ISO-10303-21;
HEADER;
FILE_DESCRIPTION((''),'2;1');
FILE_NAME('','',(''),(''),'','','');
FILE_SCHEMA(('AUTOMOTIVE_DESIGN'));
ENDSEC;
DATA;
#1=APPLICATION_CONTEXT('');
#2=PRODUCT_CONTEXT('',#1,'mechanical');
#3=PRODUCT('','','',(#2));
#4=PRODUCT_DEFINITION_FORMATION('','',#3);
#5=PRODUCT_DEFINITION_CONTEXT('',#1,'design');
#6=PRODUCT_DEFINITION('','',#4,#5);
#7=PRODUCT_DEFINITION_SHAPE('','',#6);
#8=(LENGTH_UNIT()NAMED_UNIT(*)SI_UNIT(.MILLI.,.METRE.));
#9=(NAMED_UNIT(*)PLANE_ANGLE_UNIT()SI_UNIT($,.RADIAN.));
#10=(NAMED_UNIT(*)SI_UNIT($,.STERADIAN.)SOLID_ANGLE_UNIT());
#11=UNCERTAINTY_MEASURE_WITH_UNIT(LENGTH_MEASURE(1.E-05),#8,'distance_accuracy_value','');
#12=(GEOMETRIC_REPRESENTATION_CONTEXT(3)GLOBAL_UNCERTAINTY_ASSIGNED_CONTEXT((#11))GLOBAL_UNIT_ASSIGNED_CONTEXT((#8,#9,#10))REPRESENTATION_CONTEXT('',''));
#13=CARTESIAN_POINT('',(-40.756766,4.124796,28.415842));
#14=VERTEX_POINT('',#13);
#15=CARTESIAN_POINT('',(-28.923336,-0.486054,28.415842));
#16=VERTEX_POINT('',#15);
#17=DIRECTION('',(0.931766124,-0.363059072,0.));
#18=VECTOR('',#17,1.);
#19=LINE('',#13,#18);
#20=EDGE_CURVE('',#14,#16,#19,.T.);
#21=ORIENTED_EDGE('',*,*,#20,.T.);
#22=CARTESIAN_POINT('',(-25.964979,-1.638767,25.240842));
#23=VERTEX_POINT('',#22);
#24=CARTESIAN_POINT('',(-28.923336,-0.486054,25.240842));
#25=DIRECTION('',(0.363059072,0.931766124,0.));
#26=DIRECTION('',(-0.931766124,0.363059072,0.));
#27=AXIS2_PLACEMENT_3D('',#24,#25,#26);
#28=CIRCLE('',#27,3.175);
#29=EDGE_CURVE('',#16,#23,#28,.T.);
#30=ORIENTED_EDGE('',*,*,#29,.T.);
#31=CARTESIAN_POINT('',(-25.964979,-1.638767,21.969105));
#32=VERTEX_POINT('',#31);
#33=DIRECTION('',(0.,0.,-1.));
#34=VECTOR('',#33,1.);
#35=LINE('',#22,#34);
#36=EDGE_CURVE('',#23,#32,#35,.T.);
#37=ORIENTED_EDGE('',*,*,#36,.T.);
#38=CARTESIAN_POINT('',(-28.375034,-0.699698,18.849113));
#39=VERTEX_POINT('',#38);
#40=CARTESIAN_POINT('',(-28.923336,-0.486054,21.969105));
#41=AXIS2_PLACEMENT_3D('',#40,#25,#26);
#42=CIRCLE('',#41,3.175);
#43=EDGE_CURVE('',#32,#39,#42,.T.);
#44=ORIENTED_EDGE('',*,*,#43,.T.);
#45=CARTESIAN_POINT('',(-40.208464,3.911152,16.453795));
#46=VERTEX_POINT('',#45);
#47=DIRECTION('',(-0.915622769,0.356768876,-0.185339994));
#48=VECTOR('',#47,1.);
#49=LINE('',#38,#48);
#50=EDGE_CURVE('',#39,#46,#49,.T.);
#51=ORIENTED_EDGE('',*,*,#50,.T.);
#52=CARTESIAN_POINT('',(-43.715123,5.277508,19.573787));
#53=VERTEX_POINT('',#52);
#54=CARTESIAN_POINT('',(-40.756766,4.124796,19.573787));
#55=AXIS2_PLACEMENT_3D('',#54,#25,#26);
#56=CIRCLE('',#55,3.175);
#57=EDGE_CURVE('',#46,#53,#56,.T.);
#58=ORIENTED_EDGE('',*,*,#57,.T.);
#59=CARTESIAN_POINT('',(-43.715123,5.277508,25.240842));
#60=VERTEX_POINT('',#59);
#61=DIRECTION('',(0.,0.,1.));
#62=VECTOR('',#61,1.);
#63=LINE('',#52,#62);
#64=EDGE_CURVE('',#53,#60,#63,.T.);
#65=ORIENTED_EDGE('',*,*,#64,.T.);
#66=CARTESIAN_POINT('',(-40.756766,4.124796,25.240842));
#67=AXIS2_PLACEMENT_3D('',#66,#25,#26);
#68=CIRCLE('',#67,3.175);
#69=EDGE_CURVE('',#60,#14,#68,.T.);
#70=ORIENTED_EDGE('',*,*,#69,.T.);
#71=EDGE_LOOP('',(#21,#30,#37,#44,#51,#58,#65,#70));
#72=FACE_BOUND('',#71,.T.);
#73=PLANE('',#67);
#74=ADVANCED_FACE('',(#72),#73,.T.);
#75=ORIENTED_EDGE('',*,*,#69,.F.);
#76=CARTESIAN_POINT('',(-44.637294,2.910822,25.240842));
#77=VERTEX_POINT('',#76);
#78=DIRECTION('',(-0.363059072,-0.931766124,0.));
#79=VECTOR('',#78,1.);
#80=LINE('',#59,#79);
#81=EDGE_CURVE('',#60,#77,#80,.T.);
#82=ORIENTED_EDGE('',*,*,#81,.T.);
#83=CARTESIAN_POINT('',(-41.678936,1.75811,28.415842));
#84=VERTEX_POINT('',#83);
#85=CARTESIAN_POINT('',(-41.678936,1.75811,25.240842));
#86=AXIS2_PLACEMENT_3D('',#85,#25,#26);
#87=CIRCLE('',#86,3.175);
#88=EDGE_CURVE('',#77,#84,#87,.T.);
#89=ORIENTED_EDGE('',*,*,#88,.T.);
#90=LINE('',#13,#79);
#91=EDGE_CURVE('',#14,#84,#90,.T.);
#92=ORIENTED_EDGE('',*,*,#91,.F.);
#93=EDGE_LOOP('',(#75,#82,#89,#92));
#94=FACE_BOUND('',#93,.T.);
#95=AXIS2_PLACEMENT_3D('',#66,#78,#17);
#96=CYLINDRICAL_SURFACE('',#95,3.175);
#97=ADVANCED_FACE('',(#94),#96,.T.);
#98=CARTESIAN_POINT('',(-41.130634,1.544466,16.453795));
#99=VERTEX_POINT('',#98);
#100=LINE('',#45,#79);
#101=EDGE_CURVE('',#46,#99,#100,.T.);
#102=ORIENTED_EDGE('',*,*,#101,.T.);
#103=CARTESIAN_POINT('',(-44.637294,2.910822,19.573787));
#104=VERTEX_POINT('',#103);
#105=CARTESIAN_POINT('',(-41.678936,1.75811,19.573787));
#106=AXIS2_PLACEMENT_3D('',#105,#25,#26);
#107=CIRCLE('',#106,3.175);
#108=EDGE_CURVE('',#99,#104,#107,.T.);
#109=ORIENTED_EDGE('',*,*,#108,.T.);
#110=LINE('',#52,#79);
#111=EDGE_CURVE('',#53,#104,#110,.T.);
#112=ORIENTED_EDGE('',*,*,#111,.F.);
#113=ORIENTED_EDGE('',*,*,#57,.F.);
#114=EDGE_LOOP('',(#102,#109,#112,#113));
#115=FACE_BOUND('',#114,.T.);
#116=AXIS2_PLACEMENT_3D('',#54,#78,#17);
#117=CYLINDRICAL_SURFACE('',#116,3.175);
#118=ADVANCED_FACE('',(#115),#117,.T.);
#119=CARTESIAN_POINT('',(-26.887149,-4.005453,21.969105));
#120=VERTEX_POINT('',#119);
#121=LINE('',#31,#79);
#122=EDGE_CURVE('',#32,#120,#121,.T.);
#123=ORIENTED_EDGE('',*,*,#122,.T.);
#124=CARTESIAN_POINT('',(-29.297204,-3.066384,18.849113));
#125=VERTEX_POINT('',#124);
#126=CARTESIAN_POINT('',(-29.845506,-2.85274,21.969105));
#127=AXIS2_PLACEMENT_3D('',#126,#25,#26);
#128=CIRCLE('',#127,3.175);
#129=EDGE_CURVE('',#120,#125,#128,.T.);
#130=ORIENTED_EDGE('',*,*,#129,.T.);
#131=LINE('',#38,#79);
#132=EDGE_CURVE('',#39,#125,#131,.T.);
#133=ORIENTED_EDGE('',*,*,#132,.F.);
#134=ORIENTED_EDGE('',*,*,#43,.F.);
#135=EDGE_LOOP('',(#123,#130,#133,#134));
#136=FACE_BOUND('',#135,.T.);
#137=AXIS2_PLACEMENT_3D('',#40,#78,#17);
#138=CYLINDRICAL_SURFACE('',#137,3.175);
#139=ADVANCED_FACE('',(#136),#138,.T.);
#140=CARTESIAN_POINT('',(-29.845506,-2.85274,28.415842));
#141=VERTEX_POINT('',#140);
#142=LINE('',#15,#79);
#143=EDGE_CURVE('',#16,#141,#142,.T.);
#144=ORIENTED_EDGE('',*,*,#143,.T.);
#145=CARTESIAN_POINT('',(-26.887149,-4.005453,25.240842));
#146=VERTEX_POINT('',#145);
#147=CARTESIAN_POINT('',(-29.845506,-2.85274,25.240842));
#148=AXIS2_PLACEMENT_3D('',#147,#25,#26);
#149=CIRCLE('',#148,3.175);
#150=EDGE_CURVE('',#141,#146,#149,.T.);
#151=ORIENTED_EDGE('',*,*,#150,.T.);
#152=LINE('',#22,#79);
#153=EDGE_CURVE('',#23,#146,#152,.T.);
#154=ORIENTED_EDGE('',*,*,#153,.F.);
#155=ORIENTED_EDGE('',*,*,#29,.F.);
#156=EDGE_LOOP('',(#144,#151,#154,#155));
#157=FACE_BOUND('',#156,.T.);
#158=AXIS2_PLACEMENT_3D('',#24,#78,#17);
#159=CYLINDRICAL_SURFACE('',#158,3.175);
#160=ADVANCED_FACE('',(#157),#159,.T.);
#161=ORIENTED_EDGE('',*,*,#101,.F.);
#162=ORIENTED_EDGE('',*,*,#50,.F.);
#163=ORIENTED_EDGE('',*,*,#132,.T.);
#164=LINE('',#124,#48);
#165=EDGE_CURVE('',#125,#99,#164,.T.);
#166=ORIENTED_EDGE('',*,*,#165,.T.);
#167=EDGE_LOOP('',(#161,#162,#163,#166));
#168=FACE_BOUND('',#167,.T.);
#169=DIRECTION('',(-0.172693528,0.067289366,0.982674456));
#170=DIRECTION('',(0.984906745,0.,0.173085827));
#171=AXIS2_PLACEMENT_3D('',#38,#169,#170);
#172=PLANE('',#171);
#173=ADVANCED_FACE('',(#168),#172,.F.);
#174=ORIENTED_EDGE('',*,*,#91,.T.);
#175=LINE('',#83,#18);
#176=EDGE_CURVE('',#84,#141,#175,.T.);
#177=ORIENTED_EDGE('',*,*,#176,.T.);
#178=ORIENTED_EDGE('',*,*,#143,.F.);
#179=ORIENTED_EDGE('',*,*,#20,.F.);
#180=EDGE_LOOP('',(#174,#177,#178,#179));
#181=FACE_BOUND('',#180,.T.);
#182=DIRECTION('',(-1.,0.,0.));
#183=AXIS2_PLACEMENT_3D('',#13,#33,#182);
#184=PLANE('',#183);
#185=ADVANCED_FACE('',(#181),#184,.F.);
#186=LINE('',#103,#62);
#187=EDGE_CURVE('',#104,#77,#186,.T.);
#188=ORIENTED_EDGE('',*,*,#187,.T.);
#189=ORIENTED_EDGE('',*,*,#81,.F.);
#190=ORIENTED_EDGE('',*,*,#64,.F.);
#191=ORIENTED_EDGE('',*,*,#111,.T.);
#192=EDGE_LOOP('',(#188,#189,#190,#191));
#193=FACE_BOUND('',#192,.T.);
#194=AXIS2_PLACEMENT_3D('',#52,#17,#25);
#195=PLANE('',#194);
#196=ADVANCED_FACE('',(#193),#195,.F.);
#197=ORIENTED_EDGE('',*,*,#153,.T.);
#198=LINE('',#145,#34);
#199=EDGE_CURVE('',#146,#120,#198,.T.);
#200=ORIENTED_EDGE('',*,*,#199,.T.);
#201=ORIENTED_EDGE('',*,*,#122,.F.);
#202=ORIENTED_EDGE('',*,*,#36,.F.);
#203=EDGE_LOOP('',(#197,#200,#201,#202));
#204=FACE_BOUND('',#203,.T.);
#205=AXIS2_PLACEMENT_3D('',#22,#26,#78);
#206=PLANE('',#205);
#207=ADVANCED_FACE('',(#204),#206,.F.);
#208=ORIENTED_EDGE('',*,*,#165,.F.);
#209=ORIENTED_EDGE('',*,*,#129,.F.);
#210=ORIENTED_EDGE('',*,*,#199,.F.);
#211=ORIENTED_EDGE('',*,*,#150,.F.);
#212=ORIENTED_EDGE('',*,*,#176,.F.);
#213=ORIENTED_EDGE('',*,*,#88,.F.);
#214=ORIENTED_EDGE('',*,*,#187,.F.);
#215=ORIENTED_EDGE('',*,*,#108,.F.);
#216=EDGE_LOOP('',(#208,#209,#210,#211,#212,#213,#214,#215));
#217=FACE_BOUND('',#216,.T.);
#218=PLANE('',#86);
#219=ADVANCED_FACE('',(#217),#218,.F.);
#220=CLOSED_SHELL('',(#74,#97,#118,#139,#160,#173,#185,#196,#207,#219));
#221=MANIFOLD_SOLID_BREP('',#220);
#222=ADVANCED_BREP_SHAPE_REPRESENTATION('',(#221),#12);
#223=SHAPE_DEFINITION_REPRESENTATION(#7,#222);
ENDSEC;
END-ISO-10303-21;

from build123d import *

# Parameters (mm, degrees)
BOSS_EXTRUDE1_DEPTH = 2.54


with BuildPart() as part:
    # Sketch1 → Boss-Extrude1 (new body)
    with BuildSketch(Plane(origin=(-4.89903509, -12.573036438, 0), x_dir=(0.9317661243126444, -0.3630590717547129, 0), z_dir=(0.36305907175471297, 0.9317661243126445, 0))):
        with BuildLine():
            Line((-39.473318488, -28.415842411), (-26.773318488, -28.415842411))
            ThreePointArc((-26.773318488, -28.415842411), (-24.528254458, -27.485906441), (-23.598318488, -25.240842411))
            Line((-23.598318488, -25.240842411), (-23.598318488, -21.96910475))
            ThreePointArc((-23.598318488, -21.96910475), (-24.329042729, -19.94274323), (-26.184864007, -18.849113352))
            Line((-26.184864007, -18.849113352), (-38.884864007, -16.453795235))
            ThreePointArc((-38.884864007, -16.453795235), (-41.499680008, -17.129510873), (-42.648318488, -19.573786633))
            Line((-42.648318488, -19.573786633), (-42.648318488, -25.240842411))
            ThreePointArc((-42.648318488, -25.240842411), (-41.718382519, -27.485906441), (-39.473318488, -28.415842411))
        make_face()
    extrude(amount=BOSS_EXTRUDE1_DEPTH)


solid = part.part
